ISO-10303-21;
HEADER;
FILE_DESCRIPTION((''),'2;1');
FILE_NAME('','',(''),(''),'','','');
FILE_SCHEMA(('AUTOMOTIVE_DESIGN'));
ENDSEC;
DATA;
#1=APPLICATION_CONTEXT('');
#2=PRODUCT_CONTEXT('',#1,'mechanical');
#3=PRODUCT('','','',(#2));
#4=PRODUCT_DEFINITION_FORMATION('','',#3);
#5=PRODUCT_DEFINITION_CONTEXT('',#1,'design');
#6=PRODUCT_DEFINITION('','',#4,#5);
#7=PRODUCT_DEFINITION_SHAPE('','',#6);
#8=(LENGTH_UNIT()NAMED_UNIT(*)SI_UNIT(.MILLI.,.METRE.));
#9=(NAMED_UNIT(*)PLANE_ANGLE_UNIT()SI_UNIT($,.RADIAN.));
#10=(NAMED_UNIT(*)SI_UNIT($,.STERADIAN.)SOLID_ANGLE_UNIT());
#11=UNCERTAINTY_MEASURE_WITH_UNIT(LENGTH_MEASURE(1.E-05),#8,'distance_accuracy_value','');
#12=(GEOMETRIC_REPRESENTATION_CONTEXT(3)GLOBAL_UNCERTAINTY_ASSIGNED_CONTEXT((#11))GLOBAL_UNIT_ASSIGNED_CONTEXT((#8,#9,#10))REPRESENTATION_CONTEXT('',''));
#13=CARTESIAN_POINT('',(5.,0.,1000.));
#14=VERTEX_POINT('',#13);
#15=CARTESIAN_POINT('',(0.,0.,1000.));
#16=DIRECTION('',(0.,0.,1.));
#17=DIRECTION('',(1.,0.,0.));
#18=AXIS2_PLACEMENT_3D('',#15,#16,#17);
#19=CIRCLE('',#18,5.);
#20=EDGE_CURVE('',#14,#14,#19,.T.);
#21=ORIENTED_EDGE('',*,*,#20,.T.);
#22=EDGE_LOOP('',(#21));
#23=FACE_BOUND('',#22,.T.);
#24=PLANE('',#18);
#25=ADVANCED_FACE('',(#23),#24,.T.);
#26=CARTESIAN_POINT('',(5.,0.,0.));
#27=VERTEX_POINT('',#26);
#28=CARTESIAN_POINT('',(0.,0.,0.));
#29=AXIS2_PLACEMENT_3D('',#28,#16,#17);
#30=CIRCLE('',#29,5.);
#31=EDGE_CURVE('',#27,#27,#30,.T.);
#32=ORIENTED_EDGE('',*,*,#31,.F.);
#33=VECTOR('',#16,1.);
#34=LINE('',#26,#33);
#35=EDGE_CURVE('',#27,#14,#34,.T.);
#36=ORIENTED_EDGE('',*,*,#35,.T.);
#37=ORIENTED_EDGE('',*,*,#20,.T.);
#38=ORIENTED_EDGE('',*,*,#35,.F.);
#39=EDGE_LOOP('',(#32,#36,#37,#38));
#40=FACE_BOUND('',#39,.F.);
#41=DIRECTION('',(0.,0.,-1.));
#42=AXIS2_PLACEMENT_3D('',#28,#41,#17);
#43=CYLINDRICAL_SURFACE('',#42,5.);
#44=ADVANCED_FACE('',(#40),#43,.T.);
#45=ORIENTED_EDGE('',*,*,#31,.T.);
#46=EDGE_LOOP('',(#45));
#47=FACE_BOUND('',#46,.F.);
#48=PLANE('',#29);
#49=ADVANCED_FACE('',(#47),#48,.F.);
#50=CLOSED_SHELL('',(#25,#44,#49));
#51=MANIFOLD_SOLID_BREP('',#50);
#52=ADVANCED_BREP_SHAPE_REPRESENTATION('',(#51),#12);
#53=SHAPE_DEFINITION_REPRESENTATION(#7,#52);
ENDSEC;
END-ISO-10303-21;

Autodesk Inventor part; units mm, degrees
ref_plane "YZ Plane" through (0, 0, 0) normal (1, 0, 0) x (0, 1, 0)
ref_plane "XZ Plane" through (0, 0, 0) normal (0, 1, 0) x (-1, 0, 0)
ref_plane "XY Plane" through (0, 0, 0) normal (0, 0, 1) x (1, 0, 0)
sketch "Sketch1" plane through (0, 0, 0) normal (0, 0, 1) x (1, 0, 0)
  circle A0 centre (0, 0) radius 5
  dimension "d0" = 10
extrude "Extrusion1" add sketch "Sketch1" along normal blind 1000
properties part number "Quick Shaft 12mm x 500mm" material "Steel, Carbon"
